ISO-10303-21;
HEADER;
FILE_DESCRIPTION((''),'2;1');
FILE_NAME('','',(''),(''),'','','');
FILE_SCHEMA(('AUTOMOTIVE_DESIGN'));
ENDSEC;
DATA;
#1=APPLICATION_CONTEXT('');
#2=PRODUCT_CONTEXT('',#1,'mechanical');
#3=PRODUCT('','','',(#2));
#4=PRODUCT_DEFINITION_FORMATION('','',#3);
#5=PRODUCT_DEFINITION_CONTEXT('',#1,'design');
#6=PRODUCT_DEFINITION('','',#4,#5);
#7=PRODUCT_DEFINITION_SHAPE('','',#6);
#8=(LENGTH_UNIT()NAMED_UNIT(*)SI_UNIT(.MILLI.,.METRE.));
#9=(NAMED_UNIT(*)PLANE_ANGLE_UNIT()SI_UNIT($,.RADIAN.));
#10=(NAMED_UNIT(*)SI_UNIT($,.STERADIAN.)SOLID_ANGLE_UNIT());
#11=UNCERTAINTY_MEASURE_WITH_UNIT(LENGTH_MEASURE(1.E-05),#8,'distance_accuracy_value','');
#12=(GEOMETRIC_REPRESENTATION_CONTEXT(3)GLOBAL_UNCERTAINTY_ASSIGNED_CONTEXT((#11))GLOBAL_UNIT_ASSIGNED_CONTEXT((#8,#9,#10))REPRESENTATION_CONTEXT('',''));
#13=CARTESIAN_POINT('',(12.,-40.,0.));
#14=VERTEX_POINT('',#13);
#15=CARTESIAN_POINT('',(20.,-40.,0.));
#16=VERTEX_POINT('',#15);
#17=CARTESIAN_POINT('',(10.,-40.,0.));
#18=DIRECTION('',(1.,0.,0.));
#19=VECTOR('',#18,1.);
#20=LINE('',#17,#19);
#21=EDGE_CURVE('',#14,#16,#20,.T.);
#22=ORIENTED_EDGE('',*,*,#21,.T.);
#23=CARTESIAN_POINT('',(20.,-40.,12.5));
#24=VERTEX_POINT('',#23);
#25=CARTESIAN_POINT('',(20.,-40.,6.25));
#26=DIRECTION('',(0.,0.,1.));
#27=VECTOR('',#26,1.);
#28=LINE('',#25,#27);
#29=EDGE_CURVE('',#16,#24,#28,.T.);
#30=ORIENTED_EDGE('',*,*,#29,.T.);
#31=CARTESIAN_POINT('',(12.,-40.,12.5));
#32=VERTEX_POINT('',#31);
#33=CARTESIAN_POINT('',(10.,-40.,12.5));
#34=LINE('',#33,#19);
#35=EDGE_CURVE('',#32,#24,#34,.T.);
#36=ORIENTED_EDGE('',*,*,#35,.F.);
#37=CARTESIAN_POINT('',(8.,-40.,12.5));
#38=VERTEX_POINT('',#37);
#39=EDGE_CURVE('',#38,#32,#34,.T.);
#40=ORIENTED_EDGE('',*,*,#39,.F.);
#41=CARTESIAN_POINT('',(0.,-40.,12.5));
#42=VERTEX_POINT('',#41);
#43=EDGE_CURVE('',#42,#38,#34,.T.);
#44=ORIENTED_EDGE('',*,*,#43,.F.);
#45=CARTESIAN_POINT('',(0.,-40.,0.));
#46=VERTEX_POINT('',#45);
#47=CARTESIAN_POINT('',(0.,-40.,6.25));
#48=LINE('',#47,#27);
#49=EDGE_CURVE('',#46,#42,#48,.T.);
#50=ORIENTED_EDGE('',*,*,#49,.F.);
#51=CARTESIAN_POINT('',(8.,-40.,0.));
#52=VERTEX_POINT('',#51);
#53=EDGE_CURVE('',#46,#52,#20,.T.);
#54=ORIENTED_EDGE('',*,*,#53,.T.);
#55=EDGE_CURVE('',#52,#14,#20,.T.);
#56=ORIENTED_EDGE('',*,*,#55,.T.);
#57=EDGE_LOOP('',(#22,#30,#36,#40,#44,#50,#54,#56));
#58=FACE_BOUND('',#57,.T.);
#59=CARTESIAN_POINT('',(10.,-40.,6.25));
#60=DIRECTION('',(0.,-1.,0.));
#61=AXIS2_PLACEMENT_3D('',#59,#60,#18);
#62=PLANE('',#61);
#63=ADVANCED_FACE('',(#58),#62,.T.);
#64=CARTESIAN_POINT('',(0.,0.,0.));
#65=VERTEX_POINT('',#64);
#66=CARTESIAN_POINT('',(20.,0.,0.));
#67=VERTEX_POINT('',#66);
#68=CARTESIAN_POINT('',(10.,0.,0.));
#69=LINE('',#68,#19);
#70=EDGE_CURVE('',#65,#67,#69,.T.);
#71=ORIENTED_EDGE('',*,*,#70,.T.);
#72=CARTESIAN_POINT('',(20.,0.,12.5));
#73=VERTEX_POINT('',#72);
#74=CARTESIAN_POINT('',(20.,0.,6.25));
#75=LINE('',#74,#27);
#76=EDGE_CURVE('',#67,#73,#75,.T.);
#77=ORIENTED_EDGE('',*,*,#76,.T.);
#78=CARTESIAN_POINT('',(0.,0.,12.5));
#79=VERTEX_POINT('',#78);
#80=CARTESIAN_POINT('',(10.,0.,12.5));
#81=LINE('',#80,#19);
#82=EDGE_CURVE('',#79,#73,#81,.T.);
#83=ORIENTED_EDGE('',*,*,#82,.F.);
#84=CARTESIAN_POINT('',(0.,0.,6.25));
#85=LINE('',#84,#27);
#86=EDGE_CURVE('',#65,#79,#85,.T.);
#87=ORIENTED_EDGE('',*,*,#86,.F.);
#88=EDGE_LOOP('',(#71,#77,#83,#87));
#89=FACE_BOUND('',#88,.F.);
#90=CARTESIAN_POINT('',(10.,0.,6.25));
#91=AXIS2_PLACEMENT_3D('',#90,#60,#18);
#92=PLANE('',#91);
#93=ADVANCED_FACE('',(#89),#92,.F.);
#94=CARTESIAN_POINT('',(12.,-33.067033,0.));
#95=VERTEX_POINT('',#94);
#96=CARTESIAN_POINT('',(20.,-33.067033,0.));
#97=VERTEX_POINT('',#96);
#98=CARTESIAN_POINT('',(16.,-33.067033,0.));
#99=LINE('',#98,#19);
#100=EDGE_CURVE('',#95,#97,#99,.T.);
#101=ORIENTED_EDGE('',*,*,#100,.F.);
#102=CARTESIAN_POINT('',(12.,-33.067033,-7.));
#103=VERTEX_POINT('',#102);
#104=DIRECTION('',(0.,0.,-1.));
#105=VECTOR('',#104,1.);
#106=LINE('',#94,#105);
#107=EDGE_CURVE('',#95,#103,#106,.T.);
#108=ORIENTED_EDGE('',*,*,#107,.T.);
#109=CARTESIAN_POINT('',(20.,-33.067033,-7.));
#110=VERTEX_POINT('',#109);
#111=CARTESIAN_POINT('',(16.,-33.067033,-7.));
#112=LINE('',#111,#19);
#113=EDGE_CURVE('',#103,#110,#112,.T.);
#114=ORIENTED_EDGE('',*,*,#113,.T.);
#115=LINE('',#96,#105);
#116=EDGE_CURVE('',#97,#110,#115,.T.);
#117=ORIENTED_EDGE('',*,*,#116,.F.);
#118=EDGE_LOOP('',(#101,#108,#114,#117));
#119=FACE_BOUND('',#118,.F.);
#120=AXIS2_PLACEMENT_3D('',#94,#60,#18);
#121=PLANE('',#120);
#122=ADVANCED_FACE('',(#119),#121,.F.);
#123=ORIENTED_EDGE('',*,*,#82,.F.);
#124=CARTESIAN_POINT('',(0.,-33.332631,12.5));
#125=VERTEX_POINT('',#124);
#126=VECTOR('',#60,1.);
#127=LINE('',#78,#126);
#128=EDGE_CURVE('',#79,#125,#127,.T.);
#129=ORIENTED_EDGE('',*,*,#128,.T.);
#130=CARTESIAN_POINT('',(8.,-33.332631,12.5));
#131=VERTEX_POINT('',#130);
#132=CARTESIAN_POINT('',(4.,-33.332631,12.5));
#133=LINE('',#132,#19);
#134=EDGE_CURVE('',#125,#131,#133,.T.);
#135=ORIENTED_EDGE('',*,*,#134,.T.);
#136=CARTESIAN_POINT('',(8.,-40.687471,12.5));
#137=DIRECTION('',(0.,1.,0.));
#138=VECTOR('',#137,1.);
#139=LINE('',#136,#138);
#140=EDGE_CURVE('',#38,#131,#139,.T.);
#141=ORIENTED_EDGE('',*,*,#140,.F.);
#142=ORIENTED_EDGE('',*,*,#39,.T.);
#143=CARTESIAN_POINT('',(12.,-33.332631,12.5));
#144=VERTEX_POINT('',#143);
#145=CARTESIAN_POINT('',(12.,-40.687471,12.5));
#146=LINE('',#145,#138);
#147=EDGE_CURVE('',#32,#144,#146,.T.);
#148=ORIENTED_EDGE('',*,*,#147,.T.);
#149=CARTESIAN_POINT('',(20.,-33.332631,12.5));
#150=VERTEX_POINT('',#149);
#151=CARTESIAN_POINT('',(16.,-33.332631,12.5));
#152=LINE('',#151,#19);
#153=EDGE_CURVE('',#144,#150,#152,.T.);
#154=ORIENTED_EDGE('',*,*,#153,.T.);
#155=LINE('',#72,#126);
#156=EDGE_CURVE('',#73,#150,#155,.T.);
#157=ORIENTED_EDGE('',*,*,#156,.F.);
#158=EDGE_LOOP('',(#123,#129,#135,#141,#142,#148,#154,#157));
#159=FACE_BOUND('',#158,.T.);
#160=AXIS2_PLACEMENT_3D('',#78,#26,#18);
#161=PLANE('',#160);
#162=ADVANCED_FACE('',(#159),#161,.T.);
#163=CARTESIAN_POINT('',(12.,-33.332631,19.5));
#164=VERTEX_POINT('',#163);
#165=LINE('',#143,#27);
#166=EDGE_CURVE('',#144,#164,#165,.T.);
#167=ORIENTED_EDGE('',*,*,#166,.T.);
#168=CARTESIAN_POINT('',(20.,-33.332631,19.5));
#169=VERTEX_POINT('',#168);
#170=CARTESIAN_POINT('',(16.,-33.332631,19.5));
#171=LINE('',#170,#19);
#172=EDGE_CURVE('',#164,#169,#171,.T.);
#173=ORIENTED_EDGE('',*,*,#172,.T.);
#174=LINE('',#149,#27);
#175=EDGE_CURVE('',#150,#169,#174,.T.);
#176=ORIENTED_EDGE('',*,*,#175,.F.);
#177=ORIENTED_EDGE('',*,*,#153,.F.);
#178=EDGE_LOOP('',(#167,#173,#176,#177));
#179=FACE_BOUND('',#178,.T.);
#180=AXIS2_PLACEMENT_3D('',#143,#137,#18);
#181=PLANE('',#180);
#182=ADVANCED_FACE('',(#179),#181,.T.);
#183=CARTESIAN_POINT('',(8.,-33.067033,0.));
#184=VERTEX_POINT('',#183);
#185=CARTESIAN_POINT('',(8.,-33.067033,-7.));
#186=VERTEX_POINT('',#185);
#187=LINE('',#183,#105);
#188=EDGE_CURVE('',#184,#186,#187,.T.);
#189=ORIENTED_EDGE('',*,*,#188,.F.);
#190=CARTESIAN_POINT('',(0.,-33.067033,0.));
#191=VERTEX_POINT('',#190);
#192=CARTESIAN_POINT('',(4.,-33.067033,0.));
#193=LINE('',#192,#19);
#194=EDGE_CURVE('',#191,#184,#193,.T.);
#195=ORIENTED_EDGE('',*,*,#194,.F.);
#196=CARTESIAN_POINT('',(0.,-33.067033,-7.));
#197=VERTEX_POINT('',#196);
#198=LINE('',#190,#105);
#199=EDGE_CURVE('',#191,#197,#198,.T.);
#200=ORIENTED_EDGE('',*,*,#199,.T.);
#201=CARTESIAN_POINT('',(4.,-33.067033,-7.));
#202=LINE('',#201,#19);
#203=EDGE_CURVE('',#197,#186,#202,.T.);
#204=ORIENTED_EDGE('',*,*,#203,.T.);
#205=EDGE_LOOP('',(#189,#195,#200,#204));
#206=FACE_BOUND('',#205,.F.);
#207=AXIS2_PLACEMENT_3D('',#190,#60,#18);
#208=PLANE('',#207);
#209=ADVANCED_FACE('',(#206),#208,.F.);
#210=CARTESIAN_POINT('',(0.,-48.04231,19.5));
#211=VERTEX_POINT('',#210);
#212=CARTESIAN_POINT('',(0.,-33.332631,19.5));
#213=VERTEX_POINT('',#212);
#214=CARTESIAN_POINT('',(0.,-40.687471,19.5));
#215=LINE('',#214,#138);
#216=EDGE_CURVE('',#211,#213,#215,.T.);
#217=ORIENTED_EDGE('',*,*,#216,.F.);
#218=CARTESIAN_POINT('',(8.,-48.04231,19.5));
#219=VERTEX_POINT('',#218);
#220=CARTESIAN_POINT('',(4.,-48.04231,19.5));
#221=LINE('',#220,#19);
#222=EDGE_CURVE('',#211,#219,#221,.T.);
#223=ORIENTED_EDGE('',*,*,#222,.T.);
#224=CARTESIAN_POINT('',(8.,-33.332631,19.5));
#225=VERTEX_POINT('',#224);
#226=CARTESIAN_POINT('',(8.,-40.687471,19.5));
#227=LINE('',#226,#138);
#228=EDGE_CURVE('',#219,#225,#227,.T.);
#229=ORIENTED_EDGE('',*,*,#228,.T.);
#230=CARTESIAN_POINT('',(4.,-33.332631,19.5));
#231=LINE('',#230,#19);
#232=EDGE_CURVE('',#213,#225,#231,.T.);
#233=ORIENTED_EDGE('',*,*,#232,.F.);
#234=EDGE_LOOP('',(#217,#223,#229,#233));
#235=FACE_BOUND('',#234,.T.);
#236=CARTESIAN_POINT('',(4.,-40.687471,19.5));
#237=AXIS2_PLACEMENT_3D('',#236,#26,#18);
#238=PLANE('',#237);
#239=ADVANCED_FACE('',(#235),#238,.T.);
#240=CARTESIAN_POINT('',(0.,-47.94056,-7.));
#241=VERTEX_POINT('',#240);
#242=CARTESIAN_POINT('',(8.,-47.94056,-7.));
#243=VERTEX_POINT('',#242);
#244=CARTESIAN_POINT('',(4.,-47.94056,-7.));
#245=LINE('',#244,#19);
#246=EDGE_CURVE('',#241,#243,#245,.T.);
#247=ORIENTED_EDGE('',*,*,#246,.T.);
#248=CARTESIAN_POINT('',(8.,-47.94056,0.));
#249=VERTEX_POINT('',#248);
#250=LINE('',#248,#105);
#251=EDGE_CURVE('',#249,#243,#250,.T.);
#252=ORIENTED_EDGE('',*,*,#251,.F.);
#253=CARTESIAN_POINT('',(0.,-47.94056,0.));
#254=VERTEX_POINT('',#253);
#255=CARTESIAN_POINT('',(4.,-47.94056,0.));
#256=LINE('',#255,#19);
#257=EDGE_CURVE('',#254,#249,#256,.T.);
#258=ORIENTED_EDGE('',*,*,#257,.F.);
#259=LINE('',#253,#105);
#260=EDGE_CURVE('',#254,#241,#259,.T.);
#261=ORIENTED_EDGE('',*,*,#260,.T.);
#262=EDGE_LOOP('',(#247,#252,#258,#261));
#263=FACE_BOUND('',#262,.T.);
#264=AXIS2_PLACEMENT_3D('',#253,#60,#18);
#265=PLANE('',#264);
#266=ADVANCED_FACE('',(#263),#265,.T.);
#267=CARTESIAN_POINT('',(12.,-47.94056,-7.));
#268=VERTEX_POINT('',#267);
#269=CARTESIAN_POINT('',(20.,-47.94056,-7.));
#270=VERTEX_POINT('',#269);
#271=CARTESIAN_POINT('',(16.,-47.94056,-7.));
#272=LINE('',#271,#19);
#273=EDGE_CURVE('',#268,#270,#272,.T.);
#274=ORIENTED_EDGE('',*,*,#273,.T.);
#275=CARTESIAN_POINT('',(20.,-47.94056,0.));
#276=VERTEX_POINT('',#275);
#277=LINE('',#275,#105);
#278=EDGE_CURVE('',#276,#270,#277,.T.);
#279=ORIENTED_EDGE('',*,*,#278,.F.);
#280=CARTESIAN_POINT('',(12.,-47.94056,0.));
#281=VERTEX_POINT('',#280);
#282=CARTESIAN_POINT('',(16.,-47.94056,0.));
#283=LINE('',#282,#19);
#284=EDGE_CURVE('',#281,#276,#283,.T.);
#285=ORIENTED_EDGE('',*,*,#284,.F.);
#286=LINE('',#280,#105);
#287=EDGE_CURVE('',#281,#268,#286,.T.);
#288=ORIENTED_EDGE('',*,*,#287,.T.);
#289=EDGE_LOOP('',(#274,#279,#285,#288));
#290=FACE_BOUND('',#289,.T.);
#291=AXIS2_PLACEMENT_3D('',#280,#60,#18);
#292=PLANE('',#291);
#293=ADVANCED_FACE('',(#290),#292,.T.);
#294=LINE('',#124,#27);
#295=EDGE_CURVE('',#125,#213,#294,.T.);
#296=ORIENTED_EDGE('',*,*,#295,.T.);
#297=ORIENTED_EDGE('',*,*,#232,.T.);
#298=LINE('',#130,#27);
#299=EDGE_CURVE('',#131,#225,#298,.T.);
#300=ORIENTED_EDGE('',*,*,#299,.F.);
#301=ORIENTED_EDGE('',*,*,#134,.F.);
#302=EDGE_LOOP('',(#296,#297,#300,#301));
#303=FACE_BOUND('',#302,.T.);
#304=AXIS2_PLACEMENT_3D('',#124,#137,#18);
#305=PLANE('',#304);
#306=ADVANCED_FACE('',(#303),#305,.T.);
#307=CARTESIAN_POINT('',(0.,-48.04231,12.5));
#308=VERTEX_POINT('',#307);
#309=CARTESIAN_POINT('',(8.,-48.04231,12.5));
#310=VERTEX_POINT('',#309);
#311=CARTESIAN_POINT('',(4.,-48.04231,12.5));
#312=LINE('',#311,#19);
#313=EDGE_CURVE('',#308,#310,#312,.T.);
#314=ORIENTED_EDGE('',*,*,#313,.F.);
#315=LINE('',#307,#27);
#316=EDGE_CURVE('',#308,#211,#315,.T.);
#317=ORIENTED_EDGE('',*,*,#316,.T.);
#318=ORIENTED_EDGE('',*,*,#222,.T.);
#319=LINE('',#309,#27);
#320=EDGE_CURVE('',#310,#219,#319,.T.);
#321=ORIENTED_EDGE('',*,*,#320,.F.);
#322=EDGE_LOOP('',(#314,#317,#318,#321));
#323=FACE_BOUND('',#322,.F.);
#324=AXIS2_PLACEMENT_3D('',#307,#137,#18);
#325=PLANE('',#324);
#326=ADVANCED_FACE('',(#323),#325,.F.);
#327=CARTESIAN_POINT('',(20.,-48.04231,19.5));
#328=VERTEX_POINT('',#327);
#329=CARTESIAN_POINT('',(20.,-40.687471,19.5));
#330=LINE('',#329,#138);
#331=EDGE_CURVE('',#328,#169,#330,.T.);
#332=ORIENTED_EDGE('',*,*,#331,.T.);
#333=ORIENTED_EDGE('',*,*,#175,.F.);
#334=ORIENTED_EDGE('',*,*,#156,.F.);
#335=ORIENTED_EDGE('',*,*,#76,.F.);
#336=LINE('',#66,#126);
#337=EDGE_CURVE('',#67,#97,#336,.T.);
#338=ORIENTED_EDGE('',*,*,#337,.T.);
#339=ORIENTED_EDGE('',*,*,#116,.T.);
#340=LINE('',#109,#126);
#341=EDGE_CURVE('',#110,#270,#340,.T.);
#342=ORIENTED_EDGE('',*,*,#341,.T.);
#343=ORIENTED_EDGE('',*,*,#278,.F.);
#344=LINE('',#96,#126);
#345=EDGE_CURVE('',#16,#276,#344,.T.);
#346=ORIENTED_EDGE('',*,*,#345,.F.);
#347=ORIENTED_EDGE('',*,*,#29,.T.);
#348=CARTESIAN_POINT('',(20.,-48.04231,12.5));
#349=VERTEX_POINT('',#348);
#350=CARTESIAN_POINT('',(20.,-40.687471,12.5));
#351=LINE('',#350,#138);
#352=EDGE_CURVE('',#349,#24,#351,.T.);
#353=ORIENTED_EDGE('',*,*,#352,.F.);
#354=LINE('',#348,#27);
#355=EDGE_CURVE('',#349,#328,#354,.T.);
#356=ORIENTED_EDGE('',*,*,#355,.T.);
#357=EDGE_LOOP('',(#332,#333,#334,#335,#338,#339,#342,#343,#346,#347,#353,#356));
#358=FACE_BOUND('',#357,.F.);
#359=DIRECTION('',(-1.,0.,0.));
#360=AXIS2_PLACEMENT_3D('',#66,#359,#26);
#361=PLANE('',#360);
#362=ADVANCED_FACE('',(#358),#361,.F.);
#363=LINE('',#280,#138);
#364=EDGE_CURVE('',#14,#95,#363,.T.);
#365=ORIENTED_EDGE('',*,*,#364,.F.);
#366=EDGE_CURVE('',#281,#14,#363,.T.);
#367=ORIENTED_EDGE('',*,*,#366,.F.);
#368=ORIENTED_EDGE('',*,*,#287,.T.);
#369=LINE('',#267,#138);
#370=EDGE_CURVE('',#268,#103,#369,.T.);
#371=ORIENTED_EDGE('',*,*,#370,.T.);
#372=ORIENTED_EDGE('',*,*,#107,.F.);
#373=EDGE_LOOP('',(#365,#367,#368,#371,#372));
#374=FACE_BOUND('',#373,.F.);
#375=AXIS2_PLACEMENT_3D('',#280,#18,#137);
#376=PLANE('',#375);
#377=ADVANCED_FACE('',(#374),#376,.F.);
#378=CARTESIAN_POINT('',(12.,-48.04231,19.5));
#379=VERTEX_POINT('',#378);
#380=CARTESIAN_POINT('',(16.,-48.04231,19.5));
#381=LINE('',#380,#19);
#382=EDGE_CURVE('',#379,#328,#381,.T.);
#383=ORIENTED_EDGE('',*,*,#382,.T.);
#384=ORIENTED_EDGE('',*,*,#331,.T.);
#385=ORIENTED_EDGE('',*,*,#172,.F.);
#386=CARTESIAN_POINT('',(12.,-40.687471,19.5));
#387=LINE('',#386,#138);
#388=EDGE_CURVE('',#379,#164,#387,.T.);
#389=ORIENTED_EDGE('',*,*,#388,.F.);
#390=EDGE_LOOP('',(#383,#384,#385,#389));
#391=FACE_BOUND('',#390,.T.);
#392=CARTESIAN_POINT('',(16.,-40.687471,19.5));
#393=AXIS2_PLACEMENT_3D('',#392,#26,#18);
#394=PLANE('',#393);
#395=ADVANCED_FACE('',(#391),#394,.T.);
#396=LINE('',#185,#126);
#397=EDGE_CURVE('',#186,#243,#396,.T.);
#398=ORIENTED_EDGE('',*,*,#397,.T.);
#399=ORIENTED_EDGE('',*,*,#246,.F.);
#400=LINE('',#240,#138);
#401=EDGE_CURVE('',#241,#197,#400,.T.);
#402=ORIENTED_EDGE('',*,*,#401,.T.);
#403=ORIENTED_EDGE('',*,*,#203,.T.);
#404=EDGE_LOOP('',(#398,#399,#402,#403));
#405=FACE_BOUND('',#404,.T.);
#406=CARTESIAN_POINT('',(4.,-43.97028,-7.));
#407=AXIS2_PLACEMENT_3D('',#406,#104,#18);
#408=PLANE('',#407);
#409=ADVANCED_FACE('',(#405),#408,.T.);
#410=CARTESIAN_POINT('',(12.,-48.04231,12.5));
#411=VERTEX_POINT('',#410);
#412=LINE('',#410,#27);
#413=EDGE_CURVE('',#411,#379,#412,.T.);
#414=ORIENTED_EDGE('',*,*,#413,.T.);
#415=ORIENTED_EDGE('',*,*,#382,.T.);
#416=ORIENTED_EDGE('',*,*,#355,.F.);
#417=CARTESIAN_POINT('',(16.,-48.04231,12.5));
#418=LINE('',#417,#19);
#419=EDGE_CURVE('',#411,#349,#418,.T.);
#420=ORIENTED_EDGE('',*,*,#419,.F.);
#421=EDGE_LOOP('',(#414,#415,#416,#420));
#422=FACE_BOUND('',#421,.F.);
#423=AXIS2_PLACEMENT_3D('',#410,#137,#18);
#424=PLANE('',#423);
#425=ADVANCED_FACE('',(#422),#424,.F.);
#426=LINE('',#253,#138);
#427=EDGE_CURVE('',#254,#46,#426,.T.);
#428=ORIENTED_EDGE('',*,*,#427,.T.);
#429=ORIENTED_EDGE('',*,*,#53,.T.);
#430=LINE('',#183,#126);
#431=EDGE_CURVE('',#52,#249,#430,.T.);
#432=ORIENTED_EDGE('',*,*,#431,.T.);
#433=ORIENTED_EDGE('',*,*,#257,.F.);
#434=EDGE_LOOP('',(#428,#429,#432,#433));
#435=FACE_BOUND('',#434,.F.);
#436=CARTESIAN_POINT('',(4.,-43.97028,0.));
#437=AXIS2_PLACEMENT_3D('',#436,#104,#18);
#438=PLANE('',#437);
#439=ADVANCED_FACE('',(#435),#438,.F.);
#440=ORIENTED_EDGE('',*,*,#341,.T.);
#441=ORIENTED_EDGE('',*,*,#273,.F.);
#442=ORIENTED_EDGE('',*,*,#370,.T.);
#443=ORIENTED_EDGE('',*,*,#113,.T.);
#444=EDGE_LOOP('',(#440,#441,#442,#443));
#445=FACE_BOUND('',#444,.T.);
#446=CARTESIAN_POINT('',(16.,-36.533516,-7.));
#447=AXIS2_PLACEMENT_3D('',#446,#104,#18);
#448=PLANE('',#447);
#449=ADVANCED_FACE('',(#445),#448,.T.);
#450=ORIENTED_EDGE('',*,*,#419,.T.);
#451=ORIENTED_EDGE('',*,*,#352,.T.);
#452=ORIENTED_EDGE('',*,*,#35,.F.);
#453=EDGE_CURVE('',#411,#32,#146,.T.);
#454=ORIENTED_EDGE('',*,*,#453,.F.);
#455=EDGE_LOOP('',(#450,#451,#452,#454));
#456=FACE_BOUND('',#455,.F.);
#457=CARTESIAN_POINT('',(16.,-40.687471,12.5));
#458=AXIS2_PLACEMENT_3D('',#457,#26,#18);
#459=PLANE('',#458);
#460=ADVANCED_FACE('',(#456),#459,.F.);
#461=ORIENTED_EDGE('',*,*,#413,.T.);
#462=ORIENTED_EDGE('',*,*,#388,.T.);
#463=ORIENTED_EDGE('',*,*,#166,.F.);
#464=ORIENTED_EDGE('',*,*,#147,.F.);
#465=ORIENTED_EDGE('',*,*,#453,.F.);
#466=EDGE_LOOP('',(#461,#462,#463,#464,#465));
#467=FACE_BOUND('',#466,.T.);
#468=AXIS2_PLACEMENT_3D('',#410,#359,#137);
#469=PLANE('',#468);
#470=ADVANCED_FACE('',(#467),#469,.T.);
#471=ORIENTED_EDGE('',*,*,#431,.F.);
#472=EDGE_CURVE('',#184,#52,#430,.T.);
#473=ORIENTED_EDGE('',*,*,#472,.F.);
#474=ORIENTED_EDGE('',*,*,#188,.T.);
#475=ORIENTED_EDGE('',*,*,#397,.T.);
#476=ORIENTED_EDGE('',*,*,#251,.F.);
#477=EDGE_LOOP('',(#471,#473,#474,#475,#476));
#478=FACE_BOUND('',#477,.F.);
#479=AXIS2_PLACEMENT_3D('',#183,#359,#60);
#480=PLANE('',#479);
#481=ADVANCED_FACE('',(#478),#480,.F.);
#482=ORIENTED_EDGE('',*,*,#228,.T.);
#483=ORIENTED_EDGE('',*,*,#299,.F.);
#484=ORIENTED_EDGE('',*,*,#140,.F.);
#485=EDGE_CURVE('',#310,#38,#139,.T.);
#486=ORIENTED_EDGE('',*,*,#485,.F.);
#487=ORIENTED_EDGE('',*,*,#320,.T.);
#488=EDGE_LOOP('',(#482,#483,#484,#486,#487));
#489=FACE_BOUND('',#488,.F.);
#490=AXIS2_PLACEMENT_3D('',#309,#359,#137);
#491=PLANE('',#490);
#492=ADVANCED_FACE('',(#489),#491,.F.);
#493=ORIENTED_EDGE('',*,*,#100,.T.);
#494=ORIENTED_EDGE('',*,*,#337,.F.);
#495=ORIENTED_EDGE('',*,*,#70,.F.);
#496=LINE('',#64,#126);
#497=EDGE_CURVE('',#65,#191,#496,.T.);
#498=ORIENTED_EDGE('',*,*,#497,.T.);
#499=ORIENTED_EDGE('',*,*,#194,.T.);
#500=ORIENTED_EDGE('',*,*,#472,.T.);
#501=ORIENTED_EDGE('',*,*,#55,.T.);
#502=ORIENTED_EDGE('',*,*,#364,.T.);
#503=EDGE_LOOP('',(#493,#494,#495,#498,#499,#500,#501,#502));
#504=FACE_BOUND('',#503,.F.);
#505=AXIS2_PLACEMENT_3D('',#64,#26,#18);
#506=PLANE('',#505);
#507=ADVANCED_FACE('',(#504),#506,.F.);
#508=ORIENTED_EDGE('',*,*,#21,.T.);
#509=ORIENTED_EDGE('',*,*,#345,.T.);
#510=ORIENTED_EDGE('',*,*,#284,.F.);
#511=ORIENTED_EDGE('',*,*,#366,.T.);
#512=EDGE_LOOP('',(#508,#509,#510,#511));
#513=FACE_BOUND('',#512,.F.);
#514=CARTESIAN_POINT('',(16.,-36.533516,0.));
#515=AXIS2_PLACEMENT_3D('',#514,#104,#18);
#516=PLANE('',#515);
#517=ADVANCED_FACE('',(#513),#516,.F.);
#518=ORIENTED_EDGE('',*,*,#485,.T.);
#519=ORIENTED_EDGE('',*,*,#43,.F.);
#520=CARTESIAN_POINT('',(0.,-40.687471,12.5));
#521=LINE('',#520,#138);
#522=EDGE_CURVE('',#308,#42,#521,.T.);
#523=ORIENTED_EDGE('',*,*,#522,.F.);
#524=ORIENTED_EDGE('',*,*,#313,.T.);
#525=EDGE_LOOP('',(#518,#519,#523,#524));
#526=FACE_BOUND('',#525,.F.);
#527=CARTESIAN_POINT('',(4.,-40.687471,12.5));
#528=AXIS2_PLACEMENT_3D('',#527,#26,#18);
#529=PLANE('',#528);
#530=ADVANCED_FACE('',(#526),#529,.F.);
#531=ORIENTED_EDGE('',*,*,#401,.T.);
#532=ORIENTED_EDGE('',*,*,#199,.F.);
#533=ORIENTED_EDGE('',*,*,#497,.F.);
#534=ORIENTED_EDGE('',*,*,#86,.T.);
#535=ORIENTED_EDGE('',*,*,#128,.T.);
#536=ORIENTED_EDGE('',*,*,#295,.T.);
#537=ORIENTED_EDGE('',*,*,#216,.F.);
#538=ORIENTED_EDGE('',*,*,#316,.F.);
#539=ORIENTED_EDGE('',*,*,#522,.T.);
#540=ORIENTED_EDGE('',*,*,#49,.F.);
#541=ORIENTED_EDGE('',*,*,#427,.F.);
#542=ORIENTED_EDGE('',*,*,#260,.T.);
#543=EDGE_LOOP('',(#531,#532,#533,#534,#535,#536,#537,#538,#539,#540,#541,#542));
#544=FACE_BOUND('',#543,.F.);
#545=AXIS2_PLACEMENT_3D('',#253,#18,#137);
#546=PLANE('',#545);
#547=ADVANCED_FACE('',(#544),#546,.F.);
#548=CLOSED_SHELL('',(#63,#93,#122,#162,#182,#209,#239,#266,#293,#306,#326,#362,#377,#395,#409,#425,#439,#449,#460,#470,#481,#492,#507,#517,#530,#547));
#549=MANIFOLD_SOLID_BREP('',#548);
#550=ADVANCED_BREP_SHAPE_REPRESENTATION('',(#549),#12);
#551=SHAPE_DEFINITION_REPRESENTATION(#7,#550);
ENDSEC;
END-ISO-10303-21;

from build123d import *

# Parameters (mm, degrees)
F0_W     = 20
F0_H     = 12.5
F1_DEPTH = 40
F2_W     = 8
F2_H     = 14.7096791708
F3_DEPTH = 7
F4_W     = 8
F4_H     = 7.9405596852
F4_H_2   = 6.9329673052
F5_DEPTH = 7


with BuildPart() as f1:
    # F0 (on Front) → F1 (new body)
    with BuildSketch(Plane.XZ):
        with Locations((10, 6.25)):
            Rectangle(F0_W, F0_H)
    extrude(amount=F1_DEPTH)

    # F2 (on face) → F3 (join)
    with BuildSketch(Plane.XY.offset(12.5)):
        with Locations((4, -40.6874705773)):
            Rectangle(F2_W, F2_H)
        with Locations((16, -40.6874705773)):
            Rectangle(F2_W, F2_H)
    extrude(amount=F3_DEPTH)

    # F4 (on face) → F5 (join)
    with BuildSketch(Plane(origin=(0, 0, 0), x_dir=(1, 0, 0), z_dir=(0, 0, -1))):
        with Locations((4, 43.9702798426)):
            Rectangle(F4_W, F4_H)
        with Locations((4, 36.5335163474)):
            Rectangle(F4_W, F4_H_2)
        with Locations((16, 36.5335163474)):
            Rectangle(F4_W, F4_H_2)
        with Locations((16, 43.9702798426)):
            Rectangle(F4_W, F4_H)
    extrude(amount=F5_DEPTH)


solid = f1.part
